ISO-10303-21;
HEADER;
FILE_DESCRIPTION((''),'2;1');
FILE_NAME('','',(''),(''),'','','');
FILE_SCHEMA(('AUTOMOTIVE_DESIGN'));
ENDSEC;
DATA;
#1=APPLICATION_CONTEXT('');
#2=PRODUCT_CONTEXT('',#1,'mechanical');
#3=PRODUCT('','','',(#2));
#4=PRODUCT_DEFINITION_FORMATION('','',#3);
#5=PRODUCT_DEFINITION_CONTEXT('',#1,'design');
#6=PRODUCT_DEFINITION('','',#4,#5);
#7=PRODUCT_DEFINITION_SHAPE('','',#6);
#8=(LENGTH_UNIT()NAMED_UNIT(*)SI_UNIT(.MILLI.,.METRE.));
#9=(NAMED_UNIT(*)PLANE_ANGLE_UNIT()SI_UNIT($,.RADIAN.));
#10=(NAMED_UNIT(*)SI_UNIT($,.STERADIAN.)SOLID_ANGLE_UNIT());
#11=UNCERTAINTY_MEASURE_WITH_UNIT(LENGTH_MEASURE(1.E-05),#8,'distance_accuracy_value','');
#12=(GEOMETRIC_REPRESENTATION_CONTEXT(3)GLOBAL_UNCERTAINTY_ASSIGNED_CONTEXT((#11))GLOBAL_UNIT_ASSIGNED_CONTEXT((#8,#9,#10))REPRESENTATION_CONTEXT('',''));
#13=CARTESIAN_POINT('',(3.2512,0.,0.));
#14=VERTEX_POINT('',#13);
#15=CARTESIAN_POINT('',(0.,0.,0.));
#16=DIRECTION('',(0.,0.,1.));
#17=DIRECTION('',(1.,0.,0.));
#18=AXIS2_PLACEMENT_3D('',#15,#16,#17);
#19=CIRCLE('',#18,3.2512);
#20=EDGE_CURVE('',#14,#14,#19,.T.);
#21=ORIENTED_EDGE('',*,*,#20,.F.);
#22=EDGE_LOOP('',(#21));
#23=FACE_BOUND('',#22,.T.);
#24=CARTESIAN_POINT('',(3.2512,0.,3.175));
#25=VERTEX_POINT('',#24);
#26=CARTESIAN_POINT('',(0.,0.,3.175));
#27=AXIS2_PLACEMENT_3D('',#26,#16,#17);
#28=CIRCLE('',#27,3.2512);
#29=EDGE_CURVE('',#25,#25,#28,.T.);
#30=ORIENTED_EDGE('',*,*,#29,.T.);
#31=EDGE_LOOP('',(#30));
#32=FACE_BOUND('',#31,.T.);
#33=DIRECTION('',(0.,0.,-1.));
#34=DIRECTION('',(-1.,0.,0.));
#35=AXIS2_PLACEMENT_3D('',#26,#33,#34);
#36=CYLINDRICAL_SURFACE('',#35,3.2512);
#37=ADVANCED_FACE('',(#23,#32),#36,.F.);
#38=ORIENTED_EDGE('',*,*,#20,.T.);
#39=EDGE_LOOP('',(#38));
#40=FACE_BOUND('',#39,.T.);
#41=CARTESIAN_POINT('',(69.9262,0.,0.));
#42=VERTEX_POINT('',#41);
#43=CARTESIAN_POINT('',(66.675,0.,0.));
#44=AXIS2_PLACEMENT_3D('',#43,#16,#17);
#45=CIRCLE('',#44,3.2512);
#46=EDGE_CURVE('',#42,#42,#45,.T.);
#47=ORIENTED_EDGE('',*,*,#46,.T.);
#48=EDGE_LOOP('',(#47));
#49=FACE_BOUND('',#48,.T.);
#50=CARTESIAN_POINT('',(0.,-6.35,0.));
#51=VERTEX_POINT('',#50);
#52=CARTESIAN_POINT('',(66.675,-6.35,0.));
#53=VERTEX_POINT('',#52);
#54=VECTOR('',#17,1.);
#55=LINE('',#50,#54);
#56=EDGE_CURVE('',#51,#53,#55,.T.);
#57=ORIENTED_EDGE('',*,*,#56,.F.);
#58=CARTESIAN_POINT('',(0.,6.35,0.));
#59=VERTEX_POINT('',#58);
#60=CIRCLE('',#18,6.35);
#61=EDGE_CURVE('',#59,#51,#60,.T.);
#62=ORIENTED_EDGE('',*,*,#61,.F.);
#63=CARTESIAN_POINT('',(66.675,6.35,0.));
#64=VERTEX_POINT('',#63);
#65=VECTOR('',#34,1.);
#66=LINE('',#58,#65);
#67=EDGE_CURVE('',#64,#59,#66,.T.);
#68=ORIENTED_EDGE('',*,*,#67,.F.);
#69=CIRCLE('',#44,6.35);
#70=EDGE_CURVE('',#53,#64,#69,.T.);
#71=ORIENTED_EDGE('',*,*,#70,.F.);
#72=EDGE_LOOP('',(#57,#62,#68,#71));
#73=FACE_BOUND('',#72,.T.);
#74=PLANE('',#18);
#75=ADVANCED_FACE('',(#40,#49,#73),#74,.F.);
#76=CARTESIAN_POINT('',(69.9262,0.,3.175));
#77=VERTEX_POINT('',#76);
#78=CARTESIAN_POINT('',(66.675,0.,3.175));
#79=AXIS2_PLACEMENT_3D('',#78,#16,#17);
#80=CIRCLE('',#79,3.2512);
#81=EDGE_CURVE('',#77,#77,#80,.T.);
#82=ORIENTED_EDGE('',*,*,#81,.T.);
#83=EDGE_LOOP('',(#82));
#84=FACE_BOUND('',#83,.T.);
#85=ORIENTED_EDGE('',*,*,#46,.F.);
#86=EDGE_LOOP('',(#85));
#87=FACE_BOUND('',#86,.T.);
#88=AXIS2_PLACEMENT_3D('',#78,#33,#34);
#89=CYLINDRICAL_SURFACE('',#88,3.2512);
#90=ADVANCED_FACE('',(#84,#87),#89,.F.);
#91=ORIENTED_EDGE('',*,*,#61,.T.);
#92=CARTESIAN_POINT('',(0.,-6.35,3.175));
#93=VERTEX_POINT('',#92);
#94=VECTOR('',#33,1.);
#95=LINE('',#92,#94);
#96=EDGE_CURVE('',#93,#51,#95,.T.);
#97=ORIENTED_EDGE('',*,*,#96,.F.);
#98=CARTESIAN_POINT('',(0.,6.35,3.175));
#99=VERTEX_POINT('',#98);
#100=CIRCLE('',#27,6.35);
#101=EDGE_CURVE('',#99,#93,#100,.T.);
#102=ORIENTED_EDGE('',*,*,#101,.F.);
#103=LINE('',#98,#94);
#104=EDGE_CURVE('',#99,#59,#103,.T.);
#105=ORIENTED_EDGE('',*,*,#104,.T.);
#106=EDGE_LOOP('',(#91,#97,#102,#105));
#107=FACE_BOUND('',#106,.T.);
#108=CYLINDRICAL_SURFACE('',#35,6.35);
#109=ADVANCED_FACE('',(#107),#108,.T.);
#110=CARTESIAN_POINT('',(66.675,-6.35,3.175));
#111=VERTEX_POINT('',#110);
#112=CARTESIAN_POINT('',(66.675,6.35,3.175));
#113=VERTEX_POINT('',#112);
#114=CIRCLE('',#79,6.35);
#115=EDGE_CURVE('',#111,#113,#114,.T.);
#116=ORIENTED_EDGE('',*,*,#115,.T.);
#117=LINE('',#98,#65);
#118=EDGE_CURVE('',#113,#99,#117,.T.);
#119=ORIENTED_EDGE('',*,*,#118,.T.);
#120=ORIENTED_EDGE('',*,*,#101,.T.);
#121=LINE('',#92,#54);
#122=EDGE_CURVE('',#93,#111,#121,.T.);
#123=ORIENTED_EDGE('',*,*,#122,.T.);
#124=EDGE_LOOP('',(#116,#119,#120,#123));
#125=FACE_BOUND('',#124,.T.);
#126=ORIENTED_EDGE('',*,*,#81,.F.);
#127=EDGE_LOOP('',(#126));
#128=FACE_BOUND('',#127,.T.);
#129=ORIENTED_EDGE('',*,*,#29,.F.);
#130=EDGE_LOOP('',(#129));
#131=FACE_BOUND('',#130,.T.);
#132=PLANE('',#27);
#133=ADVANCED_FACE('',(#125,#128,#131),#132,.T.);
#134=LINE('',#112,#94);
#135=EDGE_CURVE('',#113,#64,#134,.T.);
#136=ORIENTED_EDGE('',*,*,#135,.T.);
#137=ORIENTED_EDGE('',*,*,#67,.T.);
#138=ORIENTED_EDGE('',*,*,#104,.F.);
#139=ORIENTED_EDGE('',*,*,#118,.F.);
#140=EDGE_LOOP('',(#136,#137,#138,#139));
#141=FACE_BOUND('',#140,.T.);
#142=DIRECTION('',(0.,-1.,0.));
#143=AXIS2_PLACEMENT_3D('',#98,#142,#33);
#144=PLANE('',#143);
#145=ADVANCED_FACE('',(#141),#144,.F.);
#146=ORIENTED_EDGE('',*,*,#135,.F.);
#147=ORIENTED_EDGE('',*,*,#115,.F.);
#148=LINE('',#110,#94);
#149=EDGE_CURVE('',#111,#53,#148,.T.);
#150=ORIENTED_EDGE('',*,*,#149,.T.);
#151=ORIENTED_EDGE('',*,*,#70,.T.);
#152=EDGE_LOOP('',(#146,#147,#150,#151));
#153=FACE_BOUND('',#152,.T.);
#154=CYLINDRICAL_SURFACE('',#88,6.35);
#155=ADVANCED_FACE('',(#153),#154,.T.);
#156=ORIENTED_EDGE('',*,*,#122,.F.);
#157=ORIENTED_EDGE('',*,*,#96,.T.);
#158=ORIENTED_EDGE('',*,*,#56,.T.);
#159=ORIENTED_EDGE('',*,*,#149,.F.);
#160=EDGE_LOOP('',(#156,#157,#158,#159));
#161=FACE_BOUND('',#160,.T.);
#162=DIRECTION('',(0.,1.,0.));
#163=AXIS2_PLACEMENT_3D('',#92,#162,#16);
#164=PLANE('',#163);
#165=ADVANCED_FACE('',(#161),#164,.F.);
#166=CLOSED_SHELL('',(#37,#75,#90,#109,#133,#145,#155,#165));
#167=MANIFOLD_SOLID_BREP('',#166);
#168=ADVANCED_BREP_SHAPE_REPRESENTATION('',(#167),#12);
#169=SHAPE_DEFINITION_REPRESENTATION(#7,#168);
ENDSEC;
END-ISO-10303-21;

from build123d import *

# Parameters (mm, degrees)
SKETCH1_R           = 3.2512
BOSS_EXTRUDE1_DEPTH = 3.175


with BuildPart() as part:
    # Sketch1 → Boss-Extrude1 (new body)
    with BuildSketch(Plane.XY):
        with BuildLine():
            Line((0, 6.35), (66.675, 6.35))
            ThreePointArc((66.675, 6.35), (73.025, 0), (66.675, -6.35))
            Line((66.675, -6.35), (0, -6.35))
            ThreePointArc((0, -6.35), (-6.35, 0), (0, 6.35))
        make_face()
        Circle(SKETCH1_R, mode=Mode.SUBTRACT)
        with Locations((66.675, 0)):
            Circle(SKETCH1_R, mode=Mode.SUBTRACT)
    extrude(amount=BOSS_EXTRUDE1_DEPTH)


solid = part.part
